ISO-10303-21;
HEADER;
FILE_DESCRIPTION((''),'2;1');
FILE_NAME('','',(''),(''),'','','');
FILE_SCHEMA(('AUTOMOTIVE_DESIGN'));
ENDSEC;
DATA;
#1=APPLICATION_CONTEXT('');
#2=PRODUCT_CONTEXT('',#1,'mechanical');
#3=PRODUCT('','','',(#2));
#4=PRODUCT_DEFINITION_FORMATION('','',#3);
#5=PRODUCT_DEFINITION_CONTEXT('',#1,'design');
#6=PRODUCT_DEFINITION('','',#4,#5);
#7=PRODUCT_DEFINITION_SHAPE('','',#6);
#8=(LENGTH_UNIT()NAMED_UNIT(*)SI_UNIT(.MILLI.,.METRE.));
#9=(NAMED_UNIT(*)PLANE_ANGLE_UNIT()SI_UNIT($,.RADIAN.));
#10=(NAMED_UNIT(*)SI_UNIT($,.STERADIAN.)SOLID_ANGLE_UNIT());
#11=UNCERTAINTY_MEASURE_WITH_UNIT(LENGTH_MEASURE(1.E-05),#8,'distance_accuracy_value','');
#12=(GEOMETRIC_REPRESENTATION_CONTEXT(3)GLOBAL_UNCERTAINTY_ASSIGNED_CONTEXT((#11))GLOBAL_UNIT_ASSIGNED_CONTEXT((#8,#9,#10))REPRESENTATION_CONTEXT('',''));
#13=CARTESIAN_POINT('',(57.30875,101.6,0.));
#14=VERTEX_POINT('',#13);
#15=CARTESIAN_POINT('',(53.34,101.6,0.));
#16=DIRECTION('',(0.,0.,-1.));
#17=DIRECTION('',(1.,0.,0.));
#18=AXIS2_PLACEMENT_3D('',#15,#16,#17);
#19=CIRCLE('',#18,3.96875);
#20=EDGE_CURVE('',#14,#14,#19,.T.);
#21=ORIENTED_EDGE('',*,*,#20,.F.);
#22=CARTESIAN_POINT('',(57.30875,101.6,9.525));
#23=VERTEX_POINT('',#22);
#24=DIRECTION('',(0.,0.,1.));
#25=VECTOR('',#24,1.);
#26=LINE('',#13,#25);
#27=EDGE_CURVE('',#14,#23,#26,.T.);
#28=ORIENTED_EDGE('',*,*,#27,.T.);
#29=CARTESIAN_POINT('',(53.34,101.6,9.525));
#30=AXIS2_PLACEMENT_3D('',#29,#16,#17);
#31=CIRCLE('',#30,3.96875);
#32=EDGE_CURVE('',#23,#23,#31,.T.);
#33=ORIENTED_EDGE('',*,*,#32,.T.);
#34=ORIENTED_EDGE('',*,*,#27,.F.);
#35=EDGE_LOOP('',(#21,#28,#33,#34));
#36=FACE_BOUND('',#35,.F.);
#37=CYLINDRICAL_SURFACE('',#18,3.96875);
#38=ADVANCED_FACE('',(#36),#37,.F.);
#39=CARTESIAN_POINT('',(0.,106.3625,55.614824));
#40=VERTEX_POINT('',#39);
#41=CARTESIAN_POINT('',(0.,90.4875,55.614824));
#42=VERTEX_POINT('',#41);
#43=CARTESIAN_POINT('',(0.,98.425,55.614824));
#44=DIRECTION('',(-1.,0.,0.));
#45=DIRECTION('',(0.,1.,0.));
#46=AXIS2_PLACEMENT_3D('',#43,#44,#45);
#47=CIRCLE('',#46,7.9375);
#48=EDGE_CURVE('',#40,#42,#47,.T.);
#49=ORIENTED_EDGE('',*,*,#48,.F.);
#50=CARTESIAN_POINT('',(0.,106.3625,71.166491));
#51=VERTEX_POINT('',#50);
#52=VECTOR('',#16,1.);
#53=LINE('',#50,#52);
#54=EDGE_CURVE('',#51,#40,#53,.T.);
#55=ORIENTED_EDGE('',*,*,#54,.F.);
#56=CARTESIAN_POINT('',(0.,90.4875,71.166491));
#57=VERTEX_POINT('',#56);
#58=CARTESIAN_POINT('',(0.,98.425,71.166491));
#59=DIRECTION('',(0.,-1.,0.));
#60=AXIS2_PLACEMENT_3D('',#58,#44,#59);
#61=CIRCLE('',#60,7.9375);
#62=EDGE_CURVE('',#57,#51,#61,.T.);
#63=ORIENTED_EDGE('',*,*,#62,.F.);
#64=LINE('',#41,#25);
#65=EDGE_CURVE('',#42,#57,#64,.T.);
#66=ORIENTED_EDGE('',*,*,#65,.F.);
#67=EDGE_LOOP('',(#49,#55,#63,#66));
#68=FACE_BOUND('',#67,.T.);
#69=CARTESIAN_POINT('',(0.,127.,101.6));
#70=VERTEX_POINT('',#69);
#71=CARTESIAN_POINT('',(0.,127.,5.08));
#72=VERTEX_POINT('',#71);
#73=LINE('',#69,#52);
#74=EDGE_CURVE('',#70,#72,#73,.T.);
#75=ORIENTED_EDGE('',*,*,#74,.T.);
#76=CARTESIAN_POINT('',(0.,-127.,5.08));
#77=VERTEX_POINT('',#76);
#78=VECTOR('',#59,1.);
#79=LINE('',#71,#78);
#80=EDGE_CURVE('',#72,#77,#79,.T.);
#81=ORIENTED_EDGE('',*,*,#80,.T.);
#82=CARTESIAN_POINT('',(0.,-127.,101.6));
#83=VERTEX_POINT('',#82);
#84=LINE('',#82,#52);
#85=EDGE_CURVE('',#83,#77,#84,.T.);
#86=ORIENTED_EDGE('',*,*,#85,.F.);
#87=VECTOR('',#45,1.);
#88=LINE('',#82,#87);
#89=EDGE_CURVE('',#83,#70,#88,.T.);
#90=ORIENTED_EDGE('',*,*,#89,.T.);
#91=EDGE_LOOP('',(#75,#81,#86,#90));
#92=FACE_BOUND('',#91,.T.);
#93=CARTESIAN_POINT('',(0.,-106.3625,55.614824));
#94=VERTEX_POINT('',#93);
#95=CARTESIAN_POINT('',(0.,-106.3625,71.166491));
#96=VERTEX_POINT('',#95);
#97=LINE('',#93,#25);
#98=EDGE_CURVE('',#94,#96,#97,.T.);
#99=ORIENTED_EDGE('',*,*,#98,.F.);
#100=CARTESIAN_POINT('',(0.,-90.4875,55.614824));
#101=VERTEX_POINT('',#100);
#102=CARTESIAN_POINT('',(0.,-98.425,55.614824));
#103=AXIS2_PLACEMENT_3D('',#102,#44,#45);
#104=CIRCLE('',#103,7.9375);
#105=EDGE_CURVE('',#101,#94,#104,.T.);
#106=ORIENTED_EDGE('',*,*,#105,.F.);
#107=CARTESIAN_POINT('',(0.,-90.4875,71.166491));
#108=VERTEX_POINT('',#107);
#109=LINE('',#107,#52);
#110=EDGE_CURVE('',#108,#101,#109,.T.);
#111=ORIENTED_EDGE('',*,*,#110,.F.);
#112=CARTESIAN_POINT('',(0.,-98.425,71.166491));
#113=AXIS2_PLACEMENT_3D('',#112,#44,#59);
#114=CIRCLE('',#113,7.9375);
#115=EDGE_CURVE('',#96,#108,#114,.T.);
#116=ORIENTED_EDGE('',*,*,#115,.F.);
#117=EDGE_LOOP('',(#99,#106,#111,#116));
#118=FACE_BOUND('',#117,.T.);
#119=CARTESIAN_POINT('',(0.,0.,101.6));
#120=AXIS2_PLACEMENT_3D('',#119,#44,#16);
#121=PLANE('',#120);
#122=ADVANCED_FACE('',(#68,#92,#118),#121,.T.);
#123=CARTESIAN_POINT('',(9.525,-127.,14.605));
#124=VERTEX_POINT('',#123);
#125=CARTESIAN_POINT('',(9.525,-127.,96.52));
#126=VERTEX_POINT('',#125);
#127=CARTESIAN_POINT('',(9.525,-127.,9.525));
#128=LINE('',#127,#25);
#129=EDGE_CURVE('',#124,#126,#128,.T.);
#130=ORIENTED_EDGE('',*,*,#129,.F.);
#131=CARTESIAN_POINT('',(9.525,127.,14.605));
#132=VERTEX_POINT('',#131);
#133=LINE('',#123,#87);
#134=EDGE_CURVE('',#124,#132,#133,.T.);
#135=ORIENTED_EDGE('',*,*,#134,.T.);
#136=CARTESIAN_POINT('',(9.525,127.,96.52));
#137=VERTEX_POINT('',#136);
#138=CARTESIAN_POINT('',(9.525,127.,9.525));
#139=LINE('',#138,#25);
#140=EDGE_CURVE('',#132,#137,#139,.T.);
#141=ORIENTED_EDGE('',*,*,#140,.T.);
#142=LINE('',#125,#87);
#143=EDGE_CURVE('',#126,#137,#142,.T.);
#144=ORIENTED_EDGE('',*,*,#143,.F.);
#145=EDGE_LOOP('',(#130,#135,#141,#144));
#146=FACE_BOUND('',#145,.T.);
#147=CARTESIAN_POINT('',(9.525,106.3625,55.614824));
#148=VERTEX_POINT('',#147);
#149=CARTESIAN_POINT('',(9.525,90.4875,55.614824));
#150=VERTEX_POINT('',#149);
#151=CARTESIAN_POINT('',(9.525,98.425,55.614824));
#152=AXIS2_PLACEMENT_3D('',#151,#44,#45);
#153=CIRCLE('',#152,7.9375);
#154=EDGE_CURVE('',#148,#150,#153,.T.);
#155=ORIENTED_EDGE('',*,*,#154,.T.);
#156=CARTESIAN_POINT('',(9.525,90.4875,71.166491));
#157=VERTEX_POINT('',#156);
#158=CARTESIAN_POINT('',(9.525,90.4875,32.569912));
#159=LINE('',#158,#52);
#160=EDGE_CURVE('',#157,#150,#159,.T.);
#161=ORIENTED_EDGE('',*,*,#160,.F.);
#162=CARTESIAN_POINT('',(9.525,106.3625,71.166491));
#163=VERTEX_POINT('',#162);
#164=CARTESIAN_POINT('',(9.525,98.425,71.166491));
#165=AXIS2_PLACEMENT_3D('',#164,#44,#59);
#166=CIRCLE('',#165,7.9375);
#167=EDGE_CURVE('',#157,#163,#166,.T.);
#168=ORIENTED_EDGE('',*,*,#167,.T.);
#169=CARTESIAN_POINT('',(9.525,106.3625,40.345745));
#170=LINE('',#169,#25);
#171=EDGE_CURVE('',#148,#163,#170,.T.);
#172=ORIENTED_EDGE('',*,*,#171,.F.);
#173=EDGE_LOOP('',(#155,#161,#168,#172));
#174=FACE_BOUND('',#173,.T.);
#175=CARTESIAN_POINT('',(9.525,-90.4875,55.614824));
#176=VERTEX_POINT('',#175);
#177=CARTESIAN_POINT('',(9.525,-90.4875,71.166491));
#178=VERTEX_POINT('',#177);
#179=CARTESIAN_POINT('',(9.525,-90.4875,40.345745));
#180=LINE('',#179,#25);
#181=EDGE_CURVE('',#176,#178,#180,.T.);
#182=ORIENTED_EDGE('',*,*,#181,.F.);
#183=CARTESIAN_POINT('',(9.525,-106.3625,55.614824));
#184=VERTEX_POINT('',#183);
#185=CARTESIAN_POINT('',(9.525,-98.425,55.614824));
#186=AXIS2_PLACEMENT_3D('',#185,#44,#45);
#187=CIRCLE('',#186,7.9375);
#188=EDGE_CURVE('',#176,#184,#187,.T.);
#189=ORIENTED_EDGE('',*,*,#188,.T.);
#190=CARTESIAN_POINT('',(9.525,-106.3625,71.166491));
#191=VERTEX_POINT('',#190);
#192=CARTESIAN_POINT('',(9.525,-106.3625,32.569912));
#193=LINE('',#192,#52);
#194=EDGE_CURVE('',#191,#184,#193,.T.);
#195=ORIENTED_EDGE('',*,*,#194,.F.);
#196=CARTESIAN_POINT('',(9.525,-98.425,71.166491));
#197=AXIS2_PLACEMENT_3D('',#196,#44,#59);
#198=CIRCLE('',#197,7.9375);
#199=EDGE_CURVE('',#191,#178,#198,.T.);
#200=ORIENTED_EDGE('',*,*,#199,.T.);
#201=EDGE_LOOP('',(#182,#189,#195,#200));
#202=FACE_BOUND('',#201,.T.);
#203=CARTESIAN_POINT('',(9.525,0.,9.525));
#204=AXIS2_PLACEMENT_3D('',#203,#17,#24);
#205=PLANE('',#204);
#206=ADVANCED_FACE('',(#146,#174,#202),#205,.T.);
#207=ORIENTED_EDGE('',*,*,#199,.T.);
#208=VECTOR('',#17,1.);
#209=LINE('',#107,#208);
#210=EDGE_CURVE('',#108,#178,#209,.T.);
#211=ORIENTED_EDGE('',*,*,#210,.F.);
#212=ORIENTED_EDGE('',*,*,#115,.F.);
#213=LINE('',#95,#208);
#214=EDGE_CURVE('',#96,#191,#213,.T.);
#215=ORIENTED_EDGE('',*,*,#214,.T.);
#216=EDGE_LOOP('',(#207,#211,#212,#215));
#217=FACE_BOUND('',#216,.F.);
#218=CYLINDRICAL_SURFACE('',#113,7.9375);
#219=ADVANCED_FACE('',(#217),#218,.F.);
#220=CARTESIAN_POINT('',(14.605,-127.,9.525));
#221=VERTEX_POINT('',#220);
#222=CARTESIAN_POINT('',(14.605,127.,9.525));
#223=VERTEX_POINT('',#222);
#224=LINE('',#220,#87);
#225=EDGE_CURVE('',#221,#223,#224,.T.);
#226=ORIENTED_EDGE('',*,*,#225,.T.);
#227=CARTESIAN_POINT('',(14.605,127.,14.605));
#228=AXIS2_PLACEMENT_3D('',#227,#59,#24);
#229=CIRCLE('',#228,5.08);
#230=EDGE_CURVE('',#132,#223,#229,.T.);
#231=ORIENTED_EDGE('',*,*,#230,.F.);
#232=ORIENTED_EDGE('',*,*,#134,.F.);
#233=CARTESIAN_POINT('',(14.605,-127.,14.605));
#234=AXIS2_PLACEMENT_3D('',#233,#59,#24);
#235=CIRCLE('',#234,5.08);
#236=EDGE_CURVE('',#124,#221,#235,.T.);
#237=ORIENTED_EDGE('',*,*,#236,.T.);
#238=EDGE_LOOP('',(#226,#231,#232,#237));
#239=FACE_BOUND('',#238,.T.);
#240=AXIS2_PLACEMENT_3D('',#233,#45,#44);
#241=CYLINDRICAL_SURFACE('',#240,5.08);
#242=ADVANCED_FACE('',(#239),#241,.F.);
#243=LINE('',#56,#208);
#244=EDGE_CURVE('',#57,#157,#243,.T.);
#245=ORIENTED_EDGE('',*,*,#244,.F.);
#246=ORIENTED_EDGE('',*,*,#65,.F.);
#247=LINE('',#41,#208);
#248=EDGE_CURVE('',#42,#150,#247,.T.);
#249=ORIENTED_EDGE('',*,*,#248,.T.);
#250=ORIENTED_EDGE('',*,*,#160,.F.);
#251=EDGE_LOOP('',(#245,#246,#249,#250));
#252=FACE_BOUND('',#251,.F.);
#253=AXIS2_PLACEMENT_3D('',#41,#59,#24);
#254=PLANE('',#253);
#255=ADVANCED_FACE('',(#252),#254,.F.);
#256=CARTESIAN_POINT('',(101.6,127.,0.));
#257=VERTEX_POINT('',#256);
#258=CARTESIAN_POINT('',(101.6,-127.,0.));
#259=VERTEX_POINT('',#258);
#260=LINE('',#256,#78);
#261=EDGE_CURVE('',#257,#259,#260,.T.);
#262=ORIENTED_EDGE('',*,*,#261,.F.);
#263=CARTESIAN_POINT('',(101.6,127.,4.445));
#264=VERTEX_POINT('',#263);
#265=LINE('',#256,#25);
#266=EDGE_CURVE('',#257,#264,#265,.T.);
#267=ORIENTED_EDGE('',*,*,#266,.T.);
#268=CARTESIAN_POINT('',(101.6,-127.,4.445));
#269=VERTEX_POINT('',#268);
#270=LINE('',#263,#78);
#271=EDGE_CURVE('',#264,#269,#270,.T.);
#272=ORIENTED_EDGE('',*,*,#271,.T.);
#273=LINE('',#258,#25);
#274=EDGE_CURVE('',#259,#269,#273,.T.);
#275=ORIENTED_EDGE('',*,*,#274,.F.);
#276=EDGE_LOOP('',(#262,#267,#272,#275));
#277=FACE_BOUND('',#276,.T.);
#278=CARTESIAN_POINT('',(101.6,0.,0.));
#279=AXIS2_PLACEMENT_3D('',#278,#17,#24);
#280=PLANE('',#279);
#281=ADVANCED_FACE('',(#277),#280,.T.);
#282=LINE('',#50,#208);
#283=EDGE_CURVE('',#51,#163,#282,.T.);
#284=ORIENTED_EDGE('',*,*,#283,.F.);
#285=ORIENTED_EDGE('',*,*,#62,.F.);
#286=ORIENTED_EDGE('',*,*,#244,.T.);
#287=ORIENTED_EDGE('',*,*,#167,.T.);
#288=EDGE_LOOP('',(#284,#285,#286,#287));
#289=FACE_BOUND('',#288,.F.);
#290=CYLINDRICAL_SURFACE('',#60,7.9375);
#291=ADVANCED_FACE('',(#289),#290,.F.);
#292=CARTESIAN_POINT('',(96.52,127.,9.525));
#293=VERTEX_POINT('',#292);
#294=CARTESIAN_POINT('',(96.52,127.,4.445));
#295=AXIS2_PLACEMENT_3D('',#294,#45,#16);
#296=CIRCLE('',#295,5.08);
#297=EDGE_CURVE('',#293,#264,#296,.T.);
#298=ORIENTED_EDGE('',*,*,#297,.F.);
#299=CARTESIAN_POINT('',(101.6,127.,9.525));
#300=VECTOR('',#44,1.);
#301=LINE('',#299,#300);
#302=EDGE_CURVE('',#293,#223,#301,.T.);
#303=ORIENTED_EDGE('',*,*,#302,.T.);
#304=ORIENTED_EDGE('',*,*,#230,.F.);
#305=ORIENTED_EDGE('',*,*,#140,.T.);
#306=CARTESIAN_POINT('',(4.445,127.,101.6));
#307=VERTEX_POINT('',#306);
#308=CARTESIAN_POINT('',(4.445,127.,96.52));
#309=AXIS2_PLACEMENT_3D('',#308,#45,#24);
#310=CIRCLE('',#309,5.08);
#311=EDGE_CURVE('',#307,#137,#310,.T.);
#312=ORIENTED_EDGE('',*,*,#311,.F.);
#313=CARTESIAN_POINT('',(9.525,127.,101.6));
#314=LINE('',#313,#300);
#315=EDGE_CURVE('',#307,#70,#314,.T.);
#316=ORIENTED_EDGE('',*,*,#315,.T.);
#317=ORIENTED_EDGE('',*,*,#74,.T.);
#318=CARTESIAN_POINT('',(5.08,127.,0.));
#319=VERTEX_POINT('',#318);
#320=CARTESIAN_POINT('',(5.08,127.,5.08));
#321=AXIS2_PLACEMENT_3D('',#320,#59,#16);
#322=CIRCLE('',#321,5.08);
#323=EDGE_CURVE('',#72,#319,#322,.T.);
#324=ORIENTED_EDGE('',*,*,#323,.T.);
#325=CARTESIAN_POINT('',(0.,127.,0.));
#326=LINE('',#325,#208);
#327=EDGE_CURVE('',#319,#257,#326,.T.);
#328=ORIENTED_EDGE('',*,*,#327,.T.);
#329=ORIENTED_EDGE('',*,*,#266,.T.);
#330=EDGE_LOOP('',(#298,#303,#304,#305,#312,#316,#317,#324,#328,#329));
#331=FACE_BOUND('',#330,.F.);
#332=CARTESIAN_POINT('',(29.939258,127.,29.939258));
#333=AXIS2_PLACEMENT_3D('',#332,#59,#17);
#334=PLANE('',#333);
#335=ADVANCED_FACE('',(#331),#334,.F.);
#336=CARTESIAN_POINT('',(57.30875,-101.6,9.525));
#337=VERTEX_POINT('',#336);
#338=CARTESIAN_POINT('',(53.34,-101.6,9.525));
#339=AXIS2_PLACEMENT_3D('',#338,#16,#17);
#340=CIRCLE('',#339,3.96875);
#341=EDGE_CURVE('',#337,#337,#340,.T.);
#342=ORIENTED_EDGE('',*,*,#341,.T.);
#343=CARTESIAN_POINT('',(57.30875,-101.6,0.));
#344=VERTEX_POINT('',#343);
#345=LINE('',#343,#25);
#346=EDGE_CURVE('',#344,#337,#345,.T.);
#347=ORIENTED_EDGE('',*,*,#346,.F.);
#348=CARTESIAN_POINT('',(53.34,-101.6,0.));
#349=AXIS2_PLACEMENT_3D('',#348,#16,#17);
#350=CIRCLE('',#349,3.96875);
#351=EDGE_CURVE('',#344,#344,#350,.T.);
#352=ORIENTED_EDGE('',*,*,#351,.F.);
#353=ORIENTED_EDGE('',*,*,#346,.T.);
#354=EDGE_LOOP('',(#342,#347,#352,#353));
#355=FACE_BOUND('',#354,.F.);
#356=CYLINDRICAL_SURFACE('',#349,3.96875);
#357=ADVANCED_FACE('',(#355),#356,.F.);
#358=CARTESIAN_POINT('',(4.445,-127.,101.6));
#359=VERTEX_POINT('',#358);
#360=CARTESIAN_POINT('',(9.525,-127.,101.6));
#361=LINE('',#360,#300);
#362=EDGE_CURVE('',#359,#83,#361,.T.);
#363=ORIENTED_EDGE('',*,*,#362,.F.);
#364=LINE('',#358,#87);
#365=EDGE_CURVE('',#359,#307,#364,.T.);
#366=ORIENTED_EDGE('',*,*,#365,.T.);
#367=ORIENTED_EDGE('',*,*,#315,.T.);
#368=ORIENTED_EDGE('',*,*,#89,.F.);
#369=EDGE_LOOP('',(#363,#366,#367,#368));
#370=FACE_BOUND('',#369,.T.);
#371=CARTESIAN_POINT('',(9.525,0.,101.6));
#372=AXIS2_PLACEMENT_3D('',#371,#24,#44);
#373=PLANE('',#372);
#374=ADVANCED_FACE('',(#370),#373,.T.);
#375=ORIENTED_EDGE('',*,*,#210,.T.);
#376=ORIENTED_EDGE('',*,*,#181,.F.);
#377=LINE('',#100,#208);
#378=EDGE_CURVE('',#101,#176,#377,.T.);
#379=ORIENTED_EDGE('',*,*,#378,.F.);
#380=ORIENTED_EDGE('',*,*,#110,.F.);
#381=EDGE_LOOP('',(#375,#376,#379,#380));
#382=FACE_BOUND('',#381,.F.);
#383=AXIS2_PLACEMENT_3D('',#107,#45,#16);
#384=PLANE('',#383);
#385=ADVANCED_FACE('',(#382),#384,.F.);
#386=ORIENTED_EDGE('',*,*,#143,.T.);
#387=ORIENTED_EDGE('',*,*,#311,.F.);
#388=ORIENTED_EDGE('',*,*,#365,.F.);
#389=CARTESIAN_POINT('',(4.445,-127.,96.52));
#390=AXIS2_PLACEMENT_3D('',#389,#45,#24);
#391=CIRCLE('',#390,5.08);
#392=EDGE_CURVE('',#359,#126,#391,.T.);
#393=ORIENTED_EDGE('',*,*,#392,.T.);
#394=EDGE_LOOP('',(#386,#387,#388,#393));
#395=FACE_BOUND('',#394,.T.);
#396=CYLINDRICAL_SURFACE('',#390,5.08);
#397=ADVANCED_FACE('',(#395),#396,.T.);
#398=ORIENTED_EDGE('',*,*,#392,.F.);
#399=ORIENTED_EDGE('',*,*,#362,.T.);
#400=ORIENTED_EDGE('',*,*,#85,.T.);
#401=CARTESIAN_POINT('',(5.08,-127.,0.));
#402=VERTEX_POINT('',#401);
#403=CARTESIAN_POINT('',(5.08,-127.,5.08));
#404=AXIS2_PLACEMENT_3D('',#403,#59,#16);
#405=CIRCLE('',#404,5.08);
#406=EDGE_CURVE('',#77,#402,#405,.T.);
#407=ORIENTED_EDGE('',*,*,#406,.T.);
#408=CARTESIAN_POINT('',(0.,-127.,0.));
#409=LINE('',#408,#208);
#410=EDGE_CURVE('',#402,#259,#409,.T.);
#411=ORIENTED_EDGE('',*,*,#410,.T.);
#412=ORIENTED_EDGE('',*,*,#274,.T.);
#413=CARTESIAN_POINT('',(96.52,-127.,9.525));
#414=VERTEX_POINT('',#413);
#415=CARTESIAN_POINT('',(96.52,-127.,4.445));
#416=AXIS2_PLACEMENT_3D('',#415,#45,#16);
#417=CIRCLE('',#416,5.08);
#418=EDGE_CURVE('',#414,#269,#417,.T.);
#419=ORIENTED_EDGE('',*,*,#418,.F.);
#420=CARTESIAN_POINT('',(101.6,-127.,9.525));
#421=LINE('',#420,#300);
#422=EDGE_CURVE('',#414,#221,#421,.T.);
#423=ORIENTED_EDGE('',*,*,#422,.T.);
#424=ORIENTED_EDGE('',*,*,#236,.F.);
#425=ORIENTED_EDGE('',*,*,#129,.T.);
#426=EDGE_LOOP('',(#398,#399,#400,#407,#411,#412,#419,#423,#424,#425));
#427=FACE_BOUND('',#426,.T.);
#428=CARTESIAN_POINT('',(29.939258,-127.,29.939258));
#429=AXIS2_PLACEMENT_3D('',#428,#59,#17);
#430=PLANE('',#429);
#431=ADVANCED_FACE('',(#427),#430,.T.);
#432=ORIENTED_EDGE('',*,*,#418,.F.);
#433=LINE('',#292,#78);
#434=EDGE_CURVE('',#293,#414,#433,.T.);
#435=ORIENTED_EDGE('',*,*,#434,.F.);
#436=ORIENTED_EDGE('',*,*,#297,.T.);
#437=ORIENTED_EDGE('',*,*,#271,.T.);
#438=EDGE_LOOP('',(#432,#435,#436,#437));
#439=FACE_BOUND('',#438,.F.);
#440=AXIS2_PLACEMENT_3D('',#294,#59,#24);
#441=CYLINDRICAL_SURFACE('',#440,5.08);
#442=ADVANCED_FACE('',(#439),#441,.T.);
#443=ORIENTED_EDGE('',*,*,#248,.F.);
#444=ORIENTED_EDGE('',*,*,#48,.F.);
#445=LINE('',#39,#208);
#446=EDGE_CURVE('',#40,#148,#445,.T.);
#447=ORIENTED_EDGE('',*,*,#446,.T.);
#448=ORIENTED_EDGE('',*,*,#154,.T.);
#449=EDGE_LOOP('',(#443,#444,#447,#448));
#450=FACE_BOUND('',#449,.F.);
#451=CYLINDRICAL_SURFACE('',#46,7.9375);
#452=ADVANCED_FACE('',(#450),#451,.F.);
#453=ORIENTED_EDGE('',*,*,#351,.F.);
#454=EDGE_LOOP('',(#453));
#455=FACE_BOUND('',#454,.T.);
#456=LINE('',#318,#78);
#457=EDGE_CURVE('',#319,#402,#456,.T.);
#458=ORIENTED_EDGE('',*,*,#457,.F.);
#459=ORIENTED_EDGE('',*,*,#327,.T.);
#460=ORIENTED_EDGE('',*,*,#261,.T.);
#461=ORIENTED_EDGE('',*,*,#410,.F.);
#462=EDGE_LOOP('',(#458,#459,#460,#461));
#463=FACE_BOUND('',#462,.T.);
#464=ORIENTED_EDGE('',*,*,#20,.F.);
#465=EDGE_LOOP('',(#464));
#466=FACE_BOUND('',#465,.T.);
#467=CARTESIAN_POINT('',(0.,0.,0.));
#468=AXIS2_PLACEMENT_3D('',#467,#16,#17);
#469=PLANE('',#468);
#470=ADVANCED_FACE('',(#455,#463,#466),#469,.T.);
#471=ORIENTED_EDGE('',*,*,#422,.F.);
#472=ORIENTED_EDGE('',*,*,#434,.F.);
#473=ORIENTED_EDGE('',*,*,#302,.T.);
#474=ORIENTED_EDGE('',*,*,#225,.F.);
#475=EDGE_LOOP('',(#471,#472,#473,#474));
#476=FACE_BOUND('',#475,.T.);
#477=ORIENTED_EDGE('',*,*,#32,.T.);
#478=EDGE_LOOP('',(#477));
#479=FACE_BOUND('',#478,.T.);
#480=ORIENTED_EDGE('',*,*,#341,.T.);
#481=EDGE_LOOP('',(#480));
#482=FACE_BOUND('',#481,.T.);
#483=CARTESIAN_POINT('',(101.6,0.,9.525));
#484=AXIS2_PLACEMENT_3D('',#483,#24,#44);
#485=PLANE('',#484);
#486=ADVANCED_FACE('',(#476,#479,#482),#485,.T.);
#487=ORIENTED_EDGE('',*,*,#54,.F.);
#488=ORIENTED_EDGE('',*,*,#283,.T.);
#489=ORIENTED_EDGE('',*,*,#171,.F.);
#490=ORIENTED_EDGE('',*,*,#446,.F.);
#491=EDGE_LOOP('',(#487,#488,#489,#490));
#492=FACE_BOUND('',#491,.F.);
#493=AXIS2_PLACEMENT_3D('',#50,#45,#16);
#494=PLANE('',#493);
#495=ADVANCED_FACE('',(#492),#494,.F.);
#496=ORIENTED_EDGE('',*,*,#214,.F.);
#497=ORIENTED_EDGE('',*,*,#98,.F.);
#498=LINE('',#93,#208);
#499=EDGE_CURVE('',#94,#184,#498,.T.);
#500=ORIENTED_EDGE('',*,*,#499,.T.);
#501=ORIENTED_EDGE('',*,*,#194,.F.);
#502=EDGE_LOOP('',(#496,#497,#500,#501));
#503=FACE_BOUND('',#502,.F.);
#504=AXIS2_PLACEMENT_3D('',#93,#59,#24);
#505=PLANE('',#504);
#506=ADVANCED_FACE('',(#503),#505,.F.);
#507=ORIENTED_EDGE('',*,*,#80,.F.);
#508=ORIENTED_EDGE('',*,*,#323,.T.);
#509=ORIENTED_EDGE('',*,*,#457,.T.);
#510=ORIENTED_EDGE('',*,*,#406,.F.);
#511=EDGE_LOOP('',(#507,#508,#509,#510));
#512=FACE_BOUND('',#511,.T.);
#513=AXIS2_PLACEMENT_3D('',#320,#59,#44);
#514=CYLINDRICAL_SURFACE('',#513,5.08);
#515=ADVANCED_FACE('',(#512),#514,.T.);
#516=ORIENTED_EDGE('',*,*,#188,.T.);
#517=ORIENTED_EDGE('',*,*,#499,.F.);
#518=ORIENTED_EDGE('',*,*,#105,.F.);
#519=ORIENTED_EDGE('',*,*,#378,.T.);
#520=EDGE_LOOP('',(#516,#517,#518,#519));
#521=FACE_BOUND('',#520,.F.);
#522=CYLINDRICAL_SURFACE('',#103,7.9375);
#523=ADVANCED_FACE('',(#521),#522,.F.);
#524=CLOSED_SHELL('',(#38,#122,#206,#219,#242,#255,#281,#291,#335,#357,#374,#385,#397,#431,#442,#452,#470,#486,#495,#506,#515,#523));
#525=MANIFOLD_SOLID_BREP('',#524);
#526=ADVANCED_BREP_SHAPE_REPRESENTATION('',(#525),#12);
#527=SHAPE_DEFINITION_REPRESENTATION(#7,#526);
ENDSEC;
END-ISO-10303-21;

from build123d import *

# Parameters (mm, degrees)
F1_DEPTH = 127
F2_R     = 5.08
F4_DEPTH = 25.4
F5_R     = 3.96875
F6_DEPTH = 25.4


with BuildPart() as f1:
    # F0 (on Front) → F1 (new body, symmetric)
    with BuildSketch(Plane.XZ):
        Polygon((0, 101.6), (0, 0), (101.6, 0), (101.6, 9.525), (9.525, 9.525), (9.525, 101.6), align=None)
    extrude(amount=F1_DEPTH, both=True)

    # F2
    f2_edges = [f1.edges().sort_by_distance(p)[0] for p in [
        (9.525, 0, 9.525),
        (0, 0, 0),
        (9.525, 0, 101.6),
        (101.6, 0, 9.525),
    ]]
    fillet(f2_edges, radius=F2_R)

    # F3 (on face) → F4 (cut)
    with BuildSketch(Plane(origin=(0, 0, 0), x_dir=(0, -1, 0), z_dir=(-1, 0, 0))):
        with BuildLine():
            Line((-90.4875, 55.614824), (-90.4875, 71.166491))
            ThreePointArc((-90.4875, 71.166491), (-98.425, 79.103991), (-106.3625, 71.166491))
            Line((-106.3625, 71.166491), (-106.3625, 55.614824))
            ThreePointArc((-106.3625, 55.614824), (-98.425, 47.677324), (-90.4875, 55.614824))
        make_face()
        with BuildLine():
            ThreePointArc((90.4875, 55.614824), (98.425, 47.677324), (106.3625, 55.614824))
            Line((106.3625, 55.614824), (106.3625, 71.166491))
            ThreePointArc((106.3625, 71.166491), (98.425, 79.103991), (90.4875, 71.166491))
            Line((90.4875, 71.166491), (90.4875, 55.614824))
        make_face()
    extrude(amount=-F4_DEPTH, mode=Mode.SUBTRACT)

    # F5 (on face) → F6 (cut)
    with BuildSketch(Plane(origin=(0, 0, 0), x_dir=(1, 0, 0), z_dir=(0, 0, -1))):
        with Locations((53.34, 101.6)):
            Circle(F5_R)
        with Locations((53.34, -101.6)):
            Circle(F5_R)
    extrude(amount=-F6_DEPTH, mode=Mode.SUBTRACT)


solid = f1.part
